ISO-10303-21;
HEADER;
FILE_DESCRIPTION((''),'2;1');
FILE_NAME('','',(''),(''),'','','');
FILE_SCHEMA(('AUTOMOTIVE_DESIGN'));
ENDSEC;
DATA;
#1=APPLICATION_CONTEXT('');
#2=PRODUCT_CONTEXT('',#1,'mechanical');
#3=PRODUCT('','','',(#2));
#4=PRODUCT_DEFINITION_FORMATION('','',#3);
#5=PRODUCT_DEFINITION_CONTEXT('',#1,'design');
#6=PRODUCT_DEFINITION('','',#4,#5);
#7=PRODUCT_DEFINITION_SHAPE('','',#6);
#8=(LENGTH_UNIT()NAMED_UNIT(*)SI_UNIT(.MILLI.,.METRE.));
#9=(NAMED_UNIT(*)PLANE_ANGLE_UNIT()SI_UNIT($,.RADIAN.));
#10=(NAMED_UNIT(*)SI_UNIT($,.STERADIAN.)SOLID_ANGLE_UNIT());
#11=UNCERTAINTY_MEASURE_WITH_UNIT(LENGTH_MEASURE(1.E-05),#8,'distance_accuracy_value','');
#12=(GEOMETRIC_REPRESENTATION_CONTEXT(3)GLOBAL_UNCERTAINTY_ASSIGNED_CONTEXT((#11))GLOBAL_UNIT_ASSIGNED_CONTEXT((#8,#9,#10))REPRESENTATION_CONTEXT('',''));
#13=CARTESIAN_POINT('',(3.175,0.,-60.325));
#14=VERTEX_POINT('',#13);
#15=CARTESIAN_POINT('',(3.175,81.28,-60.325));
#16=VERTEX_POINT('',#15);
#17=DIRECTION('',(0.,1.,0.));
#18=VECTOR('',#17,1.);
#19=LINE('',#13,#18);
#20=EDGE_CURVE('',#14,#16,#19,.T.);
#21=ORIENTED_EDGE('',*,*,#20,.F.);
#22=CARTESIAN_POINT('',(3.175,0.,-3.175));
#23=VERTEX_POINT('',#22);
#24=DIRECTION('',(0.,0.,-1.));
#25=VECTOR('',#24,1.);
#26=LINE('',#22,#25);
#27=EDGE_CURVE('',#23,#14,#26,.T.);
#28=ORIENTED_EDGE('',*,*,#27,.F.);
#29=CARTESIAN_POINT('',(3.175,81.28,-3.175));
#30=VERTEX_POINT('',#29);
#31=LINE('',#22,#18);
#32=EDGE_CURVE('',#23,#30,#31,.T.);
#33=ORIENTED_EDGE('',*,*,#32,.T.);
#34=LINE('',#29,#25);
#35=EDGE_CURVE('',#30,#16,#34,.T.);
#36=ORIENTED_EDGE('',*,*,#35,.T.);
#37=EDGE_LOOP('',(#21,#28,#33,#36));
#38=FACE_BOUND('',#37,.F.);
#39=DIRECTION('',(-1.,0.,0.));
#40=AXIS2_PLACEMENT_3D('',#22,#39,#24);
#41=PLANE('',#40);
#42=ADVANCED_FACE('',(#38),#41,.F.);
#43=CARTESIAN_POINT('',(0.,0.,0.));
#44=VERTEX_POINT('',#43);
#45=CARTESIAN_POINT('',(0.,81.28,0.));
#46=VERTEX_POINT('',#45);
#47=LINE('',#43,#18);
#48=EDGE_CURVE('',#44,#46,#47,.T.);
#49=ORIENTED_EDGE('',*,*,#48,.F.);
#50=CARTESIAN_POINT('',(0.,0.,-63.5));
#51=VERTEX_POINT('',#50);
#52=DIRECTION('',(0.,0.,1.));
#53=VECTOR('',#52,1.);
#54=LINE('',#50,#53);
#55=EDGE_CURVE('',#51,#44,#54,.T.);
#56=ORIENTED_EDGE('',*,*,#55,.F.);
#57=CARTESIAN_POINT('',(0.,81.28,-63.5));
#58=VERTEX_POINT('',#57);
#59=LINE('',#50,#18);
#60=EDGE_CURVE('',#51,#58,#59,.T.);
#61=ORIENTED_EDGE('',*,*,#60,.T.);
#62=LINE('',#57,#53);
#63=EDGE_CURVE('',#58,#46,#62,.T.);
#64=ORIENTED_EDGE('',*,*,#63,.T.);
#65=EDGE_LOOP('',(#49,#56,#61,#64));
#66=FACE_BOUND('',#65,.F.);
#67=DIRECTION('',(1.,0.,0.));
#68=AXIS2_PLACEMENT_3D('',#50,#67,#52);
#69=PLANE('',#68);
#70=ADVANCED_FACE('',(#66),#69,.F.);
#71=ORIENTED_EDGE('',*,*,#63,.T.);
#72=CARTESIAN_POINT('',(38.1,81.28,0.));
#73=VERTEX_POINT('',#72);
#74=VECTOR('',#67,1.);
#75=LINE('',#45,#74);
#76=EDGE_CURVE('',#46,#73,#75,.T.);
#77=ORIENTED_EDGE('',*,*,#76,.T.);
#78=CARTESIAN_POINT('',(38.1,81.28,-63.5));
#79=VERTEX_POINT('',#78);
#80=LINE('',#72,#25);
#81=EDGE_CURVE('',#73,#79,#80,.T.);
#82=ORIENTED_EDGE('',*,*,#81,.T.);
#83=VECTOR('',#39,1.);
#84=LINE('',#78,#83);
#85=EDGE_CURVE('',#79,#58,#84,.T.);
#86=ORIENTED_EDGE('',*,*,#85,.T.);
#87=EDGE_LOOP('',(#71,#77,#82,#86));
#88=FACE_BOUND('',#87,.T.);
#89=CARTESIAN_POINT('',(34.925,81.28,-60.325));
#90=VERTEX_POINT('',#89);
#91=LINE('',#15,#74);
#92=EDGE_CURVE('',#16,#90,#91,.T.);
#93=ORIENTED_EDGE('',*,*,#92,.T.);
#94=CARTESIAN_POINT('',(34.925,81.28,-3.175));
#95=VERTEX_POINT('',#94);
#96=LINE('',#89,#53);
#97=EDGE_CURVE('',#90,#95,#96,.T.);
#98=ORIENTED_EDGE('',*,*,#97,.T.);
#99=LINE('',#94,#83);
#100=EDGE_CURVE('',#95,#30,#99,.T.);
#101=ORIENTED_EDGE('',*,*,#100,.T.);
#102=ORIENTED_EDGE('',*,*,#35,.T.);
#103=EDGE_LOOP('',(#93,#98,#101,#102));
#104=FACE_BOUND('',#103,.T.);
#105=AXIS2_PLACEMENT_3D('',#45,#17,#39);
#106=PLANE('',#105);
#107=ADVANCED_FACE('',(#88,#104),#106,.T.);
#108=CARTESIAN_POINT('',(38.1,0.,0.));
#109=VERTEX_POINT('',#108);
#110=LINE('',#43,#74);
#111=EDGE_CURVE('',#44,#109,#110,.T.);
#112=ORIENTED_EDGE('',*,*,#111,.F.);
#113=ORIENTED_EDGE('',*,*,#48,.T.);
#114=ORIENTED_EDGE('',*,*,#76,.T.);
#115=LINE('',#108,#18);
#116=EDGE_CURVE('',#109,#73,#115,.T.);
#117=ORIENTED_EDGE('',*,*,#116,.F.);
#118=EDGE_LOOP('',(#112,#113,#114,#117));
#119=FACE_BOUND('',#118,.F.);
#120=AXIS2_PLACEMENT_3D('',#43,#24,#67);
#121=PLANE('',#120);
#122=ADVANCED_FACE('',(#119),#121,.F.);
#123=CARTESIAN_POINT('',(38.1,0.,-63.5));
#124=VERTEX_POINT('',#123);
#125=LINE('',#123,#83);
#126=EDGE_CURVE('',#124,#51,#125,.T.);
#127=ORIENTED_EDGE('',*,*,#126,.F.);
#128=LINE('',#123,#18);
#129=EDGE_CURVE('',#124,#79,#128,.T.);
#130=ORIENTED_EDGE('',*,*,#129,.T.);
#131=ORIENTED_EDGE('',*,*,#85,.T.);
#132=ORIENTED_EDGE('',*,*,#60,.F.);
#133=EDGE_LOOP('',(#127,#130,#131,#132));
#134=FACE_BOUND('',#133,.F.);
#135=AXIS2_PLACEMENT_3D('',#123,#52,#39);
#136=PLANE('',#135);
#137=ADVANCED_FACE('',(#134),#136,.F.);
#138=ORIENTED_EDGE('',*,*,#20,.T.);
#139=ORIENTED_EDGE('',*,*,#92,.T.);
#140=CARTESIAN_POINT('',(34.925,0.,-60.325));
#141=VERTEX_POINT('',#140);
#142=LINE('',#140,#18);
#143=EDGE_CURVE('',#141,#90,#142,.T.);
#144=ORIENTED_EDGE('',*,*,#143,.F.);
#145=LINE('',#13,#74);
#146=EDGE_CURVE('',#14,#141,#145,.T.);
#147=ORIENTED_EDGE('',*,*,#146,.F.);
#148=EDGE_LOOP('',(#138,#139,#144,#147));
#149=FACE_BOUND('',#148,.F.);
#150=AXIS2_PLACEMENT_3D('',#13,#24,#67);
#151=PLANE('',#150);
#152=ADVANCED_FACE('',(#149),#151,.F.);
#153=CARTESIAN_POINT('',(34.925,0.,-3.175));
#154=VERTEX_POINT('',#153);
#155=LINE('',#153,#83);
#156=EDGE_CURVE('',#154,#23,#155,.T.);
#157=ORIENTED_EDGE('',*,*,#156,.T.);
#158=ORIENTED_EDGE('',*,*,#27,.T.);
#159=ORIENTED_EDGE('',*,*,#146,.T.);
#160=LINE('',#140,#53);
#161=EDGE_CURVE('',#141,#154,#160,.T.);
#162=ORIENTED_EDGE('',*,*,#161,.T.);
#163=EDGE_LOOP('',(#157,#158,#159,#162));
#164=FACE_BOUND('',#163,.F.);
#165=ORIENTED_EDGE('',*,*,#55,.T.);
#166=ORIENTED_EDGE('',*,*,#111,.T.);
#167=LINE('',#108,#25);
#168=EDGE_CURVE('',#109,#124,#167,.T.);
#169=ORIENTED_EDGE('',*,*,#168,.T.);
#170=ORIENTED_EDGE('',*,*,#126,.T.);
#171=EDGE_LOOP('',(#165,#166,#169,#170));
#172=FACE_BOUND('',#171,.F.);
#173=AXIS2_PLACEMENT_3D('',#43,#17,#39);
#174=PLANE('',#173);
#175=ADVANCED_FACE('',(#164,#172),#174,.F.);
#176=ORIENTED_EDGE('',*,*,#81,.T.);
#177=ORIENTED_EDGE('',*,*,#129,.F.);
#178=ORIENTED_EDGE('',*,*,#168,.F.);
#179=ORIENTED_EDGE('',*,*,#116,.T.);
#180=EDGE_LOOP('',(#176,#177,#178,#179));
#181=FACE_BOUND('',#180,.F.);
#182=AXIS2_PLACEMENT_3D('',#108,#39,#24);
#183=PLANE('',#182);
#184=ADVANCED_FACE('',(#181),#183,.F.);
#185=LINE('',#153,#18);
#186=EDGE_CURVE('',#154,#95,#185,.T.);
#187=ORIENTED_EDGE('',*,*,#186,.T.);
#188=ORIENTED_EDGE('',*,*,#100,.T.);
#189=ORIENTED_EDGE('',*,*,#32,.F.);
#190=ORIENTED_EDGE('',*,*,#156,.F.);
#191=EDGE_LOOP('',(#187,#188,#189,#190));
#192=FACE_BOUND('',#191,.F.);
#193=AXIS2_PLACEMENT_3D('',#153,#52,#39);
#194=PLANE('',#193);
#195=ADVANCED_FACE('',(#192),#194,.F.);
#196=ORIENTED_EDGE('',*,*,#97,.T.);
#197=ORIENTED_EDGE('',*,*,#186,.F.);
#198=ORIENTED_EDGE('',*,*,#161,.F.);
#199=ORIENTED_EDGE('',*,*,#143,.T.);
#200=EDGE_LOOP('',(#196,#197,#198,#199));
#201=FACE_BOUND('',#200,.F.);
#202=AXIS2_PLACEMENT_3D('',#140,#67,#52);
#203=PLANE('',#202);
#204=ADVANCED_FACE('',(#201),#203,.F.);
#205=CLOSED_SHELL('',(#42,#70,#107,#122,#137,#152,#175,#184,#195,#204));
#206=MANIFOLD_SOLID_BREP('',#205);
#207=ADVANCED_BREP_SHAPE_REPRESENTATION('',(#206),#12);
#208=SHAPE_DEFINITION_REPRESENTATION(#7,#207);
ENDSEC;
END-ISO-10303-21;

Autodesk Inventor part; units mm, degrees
ref_plane "YZ Plane" through (0, 0, 0) normal (1, 0, 0) x (0, 1, 0)
ref_plane "XZ Plane" through (0, 0, 0) normal (0, 1, 0) x (-1, 0, 0)
ref_plane "XY Plane" through (0, 0, 0) normal (0, 0, 1) x (1, 0, 0)
sketch "Sketch1" plane through (0, 0, 0) normal (0, 1, 0) x (-1, 0, 0)
  line L0 (0, 0) -> (-38.1, 0)
  line L1 (-38.1, 0) -> (-38.1, -63.5)
  line L2 (-38.1, -63.5) -> (0, -63.5)
  line L3 (0, -63.5) -> (0, 0)
  line L4 (-3.175, -60.325) -> (-34.925, -60.325)
  line L5 (-34.925, -60.325) -> (-34.925, -3.175)
  line L6 (-34.925, -3.175) -> (-3.175, -3.175)
  line L7 (-3.175, -3.175) -> (-3.175, -60.325)
  dimension "d0" = 38.1
  dimension "d1" = 63.5
  dimension "d2" = 3.175
extrude "Extrusion1" add sketch "Sketch1" along normal blind 81.28
properties part number "Back Extension"
